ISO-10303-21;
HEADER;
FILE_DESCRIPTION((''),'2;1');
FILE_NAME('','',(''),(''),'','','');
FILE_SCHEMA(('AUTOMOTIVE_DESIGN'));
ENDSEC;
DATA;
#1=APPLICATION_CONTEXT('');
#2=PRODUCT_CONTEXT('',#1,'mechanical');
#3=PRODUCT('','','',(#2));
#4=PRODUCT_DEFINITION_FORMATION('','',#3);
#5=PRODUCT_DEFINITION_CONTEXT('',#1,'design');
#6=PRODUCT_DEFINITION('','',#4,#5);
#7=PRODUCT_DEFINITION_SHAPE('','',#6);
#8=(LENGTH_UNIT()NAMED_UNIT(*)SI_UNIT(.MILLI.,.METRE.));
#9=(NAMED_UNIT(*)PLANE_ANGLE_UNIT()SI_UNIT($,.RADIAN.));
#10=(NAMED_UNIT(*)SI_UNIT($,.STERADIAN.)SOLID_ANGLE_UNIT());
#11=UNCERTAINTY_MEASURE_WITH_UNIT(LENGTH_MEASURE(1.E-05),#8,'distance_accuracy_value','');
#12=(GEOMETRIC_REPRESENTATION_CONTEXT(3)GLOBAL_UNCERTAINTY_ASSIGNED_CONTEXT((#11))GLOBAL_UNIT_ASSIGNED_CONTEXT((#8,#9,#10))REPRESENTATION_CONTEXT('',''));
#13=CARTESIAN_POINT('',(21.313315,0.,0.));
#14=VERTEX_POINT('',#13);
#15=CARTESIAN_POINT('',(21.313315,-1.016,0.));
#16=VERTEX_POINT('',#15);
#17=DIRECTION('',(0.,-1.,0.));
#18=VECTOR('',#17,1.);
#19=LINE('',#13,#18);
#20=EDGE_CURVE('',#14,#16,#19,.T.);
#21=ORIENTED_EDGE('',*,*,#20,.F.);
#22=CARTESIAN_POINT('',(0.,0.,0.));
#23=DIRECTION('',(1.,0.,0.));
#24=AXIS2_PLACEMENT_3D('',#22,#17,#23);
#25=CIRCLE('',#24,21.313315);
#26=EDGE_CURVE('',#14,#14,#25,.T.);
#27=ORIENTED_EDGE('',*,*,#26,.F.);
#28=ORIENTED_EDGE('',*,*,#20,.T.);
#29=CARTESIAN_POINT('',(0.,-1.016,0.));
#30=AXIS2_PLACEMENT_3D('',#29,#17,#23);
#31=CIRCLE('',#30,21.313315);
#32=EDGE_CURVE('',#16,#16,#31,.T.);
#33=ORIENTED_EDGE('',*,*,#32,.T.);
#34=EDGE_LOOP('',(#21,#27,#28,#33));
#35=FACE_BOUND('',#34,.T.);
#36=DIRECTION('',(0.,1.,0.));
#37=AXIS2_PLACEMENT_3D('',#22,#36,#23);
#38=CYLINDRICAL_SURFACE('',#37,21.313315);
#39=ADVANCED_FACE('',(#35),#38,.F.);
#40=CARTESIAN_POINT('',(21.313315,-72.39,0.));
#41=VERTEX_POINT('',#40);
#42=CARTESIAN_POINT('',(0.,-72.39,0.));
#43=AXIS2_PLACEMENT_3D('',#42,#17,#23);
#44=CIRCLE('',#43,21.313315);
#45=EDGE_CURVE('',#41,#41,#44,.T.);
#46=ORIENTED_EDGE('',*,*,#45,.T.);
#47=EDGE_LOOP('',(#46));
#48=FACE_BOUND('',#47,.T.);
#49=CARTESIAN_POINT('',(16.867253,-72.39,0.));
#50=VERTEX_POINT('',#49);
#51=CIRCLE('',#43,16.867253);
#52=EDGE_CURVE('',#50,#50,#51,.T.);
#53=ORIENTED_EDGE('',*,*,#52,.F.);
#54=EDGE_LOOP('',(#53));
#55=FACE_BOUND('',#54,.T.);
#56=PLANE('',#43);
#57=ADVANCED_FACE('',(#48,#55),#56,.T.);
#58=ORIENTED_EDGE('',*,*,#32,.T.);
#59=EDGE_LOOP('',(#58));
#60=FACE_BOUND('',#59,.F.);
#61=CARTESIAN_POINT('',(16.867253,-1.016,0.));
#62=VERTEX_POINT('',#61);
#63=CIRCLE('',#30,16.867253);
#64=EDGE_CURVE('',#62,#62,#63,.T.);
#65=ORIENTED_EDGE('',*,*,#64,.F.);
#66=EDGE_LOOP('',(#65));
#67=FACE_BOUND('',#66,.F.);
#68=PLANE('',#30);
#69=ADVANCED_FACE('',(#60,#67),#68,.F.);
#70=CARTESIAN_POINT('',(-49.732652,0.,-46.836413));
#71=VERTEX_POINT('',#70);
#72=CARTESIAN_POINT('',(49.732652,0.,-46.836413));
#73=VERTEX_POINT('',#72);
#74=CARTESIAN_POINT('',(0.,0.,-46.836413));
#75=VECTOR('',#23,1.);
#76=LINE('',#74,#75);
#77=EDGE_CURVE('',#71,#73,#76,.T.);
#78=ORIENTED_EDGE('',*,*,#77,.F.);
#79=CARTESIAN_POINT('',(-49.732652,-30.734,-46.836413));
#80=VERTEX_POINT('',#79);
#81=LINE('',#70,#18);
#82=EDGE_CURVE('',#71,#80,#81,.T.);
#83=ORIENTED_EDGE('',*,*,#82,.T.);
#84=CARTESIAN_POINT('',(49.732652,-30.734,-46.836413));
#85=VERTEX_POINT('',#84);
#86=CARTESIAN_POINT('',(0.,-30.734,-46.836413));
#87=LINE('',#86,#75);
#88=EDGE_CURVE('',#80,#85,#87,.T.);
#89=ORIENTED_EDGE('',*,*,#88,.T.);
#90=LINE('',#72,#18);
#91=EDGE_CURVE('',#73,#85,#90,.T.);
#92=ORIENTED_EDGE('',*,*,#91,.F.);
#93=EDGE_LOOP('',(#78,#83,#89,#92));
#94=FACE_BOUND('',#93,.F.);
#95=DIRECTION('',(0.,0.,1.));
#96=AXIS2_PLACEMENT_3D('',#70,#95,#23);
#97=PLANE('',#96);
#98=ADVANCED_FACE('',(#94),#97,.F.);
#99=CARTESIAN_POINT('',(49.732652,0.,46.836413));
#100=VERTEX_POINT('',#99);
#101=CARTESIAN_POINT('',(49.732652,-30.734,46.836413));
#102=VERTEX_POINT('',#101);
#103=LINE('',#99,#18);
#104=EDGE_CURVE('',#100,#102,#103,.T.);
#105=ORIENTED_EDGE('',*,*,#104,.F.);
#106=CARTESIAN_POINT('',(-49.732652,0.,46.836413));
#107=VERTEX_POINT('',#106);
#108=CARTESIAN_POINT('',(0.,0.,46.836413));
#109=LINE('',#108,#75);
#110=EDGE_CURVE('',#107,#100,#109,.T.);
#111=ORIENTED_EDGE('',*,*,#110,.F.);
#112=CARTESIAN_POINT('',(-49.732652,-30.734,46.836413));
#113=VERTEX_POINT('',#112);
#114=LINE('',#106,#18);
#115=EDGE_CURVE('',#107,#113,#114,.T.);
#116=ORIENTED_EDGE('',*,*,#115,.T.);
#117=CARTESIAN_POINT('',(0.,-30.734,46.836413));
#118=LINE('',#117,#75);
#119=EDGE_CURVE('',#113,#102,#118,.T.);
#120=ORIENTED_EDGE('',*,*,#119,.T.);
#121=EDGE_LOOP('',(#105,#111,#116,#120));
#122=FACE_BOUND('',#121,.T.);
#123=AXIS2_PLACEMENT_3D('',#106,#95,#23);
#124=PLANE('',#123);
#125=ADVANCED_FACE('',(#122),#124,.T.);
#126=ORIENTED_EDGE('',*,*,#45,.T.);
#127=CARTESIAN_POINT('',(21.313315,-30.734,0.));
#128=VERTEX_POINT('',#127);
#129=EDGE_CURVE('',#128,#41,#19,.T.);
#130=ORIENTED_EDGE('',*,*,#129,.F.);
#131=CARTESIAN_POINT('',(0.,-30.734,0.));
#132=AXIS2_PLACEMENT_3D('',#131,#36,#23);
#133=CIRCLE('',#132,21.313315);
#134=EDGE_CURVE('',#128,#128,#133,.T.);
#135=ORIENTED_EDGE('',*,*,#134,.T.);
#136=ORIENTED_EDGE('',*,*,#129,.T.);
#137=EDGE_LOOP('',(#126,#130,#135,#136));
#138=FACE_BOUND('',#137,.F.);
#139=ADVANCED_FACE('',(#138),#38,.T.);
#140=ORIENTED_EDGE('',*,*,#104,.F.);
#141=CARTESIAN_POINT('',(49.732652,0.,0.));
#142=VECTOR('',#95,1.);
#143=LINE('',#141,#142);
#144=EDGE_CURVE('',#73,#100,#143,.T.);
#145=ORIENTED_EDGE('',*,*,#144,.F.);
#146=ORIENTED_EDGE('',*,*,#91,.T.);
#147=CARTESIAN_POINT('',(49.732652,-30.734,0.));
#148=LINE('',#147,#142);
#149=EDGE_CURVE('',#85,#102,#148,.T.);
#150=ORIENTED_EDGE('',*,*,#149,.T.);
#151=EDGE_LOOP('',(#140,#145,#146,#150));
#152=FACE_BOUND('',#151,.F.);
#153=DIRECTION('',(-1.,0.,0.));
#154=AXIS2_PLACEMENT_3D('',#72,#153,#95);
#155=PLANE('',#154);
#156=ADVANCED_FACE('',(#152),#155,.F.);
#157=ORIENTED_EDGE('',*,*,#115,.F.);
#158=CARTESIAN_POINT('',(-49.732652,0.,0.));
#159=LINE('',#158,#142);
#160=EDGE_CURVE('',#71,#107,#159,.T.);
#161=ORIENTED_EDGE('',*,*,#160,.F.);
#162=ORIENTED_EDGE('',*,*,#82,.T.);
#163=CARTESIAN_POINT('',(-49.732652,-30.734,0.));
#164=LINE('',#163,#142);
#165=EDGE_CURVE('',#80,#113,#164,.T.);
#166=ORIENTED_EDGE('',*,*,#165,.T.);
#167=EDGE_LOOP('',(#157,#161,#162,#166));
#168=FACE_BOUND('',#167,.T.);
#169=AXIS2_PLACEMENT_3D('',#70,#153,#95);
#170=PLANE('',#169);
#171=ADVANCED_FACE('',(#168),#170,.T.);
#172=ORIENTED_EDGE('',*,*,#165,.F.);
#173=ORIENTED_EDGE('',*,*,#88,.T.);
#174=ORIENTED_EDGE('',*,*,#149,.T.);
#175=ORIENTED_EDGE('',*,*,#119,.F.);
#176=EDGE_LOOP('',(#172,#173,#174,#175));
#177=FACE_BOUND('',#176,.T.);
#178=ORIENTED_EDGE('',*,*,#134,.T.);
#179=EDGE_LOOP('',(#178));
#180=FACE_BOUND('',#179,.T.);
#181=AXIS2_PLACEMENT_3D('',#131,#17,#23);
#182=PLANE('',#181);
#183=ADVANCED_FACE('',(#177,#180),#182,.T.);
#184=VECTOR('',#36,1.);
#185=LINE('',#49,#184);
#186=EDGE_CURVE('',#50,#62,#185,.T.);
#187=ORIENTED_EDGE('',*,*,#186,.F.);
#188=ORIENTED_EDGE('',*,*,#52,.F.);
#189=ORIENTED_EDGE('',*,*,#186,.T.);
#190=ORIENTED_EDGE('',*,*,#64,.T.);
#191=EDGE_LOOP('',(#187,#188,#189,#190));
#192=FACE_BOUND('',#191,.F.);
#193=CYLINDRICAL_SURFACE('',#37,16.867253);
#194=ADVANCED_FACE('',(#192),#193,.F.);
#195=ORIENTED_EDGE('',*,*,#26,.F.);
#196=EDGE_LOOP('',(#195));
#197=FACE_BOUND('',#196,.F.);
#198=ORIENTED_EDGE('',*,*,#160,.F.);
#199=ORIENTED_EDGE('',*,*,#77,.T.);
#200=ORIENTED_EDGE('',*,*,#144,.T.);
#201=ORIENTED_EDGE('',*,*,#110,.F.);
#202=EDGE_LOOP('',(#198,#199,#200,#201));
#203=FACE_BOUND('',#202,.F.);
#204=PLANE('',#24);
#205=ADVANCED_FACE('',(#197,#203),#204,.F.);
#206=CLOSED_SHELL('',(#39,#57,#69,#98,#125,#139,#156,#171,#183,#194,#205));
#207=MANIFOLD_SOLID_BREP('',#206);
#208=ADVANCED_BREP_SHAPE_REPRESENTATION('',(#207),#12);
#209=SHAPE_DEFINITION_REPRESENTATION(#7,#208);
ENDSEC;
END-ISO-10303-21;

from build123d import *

# Parameters (mm, degrees)
F0_W      = 99.465304
F0_H      = 93.672826
F1_DEPTH  = 30.734
F2_R      = 21.313315
F2_R_2    = 16.867253
F3_DEPTH  = 72.39
F4_DEPTH  = 1.016
F4_FACE_R = 16.867253
F6_DEPTH  = 76.708


with BuildPart() as f1:
    # F0 (on Front) → F1 (new body)
    with BuildSketch(Plane.XZ):
        Rectangle(F0_W, F0_H)
    extrude(amount=F1_DEPTH)

    # F2 (on Front) → F3 (join)
    with BuildSketch(Plane.XZ):
        Circle(F2_R)
        Circle(F2_R_2, mode=Mode.SUBTRACT)
    extrude(amount=F3_DEPTH)

    # F2 (on Front) → F4 (cut)
    with BuildSketch(Plane.XZ):
        Circle(F2_R)
        Circle(F2_R_2, mode=Mode.SUBTRACT)
    extrude(amount=F4_DEPTH, mode=Mode.SUBTRACT)

    # F4_face (on face) → F6 (cut)
    with BuildSketch(Plane(origin=(0, 0, 0), x_dir=(1, 0, 0), z_dir=(0, 1, 0))):
        Circle(F4_FACE_R)
    extrude(amount=-F6_DEPTH, mode=Mode.SUBTRACT)


solid = f1.part
